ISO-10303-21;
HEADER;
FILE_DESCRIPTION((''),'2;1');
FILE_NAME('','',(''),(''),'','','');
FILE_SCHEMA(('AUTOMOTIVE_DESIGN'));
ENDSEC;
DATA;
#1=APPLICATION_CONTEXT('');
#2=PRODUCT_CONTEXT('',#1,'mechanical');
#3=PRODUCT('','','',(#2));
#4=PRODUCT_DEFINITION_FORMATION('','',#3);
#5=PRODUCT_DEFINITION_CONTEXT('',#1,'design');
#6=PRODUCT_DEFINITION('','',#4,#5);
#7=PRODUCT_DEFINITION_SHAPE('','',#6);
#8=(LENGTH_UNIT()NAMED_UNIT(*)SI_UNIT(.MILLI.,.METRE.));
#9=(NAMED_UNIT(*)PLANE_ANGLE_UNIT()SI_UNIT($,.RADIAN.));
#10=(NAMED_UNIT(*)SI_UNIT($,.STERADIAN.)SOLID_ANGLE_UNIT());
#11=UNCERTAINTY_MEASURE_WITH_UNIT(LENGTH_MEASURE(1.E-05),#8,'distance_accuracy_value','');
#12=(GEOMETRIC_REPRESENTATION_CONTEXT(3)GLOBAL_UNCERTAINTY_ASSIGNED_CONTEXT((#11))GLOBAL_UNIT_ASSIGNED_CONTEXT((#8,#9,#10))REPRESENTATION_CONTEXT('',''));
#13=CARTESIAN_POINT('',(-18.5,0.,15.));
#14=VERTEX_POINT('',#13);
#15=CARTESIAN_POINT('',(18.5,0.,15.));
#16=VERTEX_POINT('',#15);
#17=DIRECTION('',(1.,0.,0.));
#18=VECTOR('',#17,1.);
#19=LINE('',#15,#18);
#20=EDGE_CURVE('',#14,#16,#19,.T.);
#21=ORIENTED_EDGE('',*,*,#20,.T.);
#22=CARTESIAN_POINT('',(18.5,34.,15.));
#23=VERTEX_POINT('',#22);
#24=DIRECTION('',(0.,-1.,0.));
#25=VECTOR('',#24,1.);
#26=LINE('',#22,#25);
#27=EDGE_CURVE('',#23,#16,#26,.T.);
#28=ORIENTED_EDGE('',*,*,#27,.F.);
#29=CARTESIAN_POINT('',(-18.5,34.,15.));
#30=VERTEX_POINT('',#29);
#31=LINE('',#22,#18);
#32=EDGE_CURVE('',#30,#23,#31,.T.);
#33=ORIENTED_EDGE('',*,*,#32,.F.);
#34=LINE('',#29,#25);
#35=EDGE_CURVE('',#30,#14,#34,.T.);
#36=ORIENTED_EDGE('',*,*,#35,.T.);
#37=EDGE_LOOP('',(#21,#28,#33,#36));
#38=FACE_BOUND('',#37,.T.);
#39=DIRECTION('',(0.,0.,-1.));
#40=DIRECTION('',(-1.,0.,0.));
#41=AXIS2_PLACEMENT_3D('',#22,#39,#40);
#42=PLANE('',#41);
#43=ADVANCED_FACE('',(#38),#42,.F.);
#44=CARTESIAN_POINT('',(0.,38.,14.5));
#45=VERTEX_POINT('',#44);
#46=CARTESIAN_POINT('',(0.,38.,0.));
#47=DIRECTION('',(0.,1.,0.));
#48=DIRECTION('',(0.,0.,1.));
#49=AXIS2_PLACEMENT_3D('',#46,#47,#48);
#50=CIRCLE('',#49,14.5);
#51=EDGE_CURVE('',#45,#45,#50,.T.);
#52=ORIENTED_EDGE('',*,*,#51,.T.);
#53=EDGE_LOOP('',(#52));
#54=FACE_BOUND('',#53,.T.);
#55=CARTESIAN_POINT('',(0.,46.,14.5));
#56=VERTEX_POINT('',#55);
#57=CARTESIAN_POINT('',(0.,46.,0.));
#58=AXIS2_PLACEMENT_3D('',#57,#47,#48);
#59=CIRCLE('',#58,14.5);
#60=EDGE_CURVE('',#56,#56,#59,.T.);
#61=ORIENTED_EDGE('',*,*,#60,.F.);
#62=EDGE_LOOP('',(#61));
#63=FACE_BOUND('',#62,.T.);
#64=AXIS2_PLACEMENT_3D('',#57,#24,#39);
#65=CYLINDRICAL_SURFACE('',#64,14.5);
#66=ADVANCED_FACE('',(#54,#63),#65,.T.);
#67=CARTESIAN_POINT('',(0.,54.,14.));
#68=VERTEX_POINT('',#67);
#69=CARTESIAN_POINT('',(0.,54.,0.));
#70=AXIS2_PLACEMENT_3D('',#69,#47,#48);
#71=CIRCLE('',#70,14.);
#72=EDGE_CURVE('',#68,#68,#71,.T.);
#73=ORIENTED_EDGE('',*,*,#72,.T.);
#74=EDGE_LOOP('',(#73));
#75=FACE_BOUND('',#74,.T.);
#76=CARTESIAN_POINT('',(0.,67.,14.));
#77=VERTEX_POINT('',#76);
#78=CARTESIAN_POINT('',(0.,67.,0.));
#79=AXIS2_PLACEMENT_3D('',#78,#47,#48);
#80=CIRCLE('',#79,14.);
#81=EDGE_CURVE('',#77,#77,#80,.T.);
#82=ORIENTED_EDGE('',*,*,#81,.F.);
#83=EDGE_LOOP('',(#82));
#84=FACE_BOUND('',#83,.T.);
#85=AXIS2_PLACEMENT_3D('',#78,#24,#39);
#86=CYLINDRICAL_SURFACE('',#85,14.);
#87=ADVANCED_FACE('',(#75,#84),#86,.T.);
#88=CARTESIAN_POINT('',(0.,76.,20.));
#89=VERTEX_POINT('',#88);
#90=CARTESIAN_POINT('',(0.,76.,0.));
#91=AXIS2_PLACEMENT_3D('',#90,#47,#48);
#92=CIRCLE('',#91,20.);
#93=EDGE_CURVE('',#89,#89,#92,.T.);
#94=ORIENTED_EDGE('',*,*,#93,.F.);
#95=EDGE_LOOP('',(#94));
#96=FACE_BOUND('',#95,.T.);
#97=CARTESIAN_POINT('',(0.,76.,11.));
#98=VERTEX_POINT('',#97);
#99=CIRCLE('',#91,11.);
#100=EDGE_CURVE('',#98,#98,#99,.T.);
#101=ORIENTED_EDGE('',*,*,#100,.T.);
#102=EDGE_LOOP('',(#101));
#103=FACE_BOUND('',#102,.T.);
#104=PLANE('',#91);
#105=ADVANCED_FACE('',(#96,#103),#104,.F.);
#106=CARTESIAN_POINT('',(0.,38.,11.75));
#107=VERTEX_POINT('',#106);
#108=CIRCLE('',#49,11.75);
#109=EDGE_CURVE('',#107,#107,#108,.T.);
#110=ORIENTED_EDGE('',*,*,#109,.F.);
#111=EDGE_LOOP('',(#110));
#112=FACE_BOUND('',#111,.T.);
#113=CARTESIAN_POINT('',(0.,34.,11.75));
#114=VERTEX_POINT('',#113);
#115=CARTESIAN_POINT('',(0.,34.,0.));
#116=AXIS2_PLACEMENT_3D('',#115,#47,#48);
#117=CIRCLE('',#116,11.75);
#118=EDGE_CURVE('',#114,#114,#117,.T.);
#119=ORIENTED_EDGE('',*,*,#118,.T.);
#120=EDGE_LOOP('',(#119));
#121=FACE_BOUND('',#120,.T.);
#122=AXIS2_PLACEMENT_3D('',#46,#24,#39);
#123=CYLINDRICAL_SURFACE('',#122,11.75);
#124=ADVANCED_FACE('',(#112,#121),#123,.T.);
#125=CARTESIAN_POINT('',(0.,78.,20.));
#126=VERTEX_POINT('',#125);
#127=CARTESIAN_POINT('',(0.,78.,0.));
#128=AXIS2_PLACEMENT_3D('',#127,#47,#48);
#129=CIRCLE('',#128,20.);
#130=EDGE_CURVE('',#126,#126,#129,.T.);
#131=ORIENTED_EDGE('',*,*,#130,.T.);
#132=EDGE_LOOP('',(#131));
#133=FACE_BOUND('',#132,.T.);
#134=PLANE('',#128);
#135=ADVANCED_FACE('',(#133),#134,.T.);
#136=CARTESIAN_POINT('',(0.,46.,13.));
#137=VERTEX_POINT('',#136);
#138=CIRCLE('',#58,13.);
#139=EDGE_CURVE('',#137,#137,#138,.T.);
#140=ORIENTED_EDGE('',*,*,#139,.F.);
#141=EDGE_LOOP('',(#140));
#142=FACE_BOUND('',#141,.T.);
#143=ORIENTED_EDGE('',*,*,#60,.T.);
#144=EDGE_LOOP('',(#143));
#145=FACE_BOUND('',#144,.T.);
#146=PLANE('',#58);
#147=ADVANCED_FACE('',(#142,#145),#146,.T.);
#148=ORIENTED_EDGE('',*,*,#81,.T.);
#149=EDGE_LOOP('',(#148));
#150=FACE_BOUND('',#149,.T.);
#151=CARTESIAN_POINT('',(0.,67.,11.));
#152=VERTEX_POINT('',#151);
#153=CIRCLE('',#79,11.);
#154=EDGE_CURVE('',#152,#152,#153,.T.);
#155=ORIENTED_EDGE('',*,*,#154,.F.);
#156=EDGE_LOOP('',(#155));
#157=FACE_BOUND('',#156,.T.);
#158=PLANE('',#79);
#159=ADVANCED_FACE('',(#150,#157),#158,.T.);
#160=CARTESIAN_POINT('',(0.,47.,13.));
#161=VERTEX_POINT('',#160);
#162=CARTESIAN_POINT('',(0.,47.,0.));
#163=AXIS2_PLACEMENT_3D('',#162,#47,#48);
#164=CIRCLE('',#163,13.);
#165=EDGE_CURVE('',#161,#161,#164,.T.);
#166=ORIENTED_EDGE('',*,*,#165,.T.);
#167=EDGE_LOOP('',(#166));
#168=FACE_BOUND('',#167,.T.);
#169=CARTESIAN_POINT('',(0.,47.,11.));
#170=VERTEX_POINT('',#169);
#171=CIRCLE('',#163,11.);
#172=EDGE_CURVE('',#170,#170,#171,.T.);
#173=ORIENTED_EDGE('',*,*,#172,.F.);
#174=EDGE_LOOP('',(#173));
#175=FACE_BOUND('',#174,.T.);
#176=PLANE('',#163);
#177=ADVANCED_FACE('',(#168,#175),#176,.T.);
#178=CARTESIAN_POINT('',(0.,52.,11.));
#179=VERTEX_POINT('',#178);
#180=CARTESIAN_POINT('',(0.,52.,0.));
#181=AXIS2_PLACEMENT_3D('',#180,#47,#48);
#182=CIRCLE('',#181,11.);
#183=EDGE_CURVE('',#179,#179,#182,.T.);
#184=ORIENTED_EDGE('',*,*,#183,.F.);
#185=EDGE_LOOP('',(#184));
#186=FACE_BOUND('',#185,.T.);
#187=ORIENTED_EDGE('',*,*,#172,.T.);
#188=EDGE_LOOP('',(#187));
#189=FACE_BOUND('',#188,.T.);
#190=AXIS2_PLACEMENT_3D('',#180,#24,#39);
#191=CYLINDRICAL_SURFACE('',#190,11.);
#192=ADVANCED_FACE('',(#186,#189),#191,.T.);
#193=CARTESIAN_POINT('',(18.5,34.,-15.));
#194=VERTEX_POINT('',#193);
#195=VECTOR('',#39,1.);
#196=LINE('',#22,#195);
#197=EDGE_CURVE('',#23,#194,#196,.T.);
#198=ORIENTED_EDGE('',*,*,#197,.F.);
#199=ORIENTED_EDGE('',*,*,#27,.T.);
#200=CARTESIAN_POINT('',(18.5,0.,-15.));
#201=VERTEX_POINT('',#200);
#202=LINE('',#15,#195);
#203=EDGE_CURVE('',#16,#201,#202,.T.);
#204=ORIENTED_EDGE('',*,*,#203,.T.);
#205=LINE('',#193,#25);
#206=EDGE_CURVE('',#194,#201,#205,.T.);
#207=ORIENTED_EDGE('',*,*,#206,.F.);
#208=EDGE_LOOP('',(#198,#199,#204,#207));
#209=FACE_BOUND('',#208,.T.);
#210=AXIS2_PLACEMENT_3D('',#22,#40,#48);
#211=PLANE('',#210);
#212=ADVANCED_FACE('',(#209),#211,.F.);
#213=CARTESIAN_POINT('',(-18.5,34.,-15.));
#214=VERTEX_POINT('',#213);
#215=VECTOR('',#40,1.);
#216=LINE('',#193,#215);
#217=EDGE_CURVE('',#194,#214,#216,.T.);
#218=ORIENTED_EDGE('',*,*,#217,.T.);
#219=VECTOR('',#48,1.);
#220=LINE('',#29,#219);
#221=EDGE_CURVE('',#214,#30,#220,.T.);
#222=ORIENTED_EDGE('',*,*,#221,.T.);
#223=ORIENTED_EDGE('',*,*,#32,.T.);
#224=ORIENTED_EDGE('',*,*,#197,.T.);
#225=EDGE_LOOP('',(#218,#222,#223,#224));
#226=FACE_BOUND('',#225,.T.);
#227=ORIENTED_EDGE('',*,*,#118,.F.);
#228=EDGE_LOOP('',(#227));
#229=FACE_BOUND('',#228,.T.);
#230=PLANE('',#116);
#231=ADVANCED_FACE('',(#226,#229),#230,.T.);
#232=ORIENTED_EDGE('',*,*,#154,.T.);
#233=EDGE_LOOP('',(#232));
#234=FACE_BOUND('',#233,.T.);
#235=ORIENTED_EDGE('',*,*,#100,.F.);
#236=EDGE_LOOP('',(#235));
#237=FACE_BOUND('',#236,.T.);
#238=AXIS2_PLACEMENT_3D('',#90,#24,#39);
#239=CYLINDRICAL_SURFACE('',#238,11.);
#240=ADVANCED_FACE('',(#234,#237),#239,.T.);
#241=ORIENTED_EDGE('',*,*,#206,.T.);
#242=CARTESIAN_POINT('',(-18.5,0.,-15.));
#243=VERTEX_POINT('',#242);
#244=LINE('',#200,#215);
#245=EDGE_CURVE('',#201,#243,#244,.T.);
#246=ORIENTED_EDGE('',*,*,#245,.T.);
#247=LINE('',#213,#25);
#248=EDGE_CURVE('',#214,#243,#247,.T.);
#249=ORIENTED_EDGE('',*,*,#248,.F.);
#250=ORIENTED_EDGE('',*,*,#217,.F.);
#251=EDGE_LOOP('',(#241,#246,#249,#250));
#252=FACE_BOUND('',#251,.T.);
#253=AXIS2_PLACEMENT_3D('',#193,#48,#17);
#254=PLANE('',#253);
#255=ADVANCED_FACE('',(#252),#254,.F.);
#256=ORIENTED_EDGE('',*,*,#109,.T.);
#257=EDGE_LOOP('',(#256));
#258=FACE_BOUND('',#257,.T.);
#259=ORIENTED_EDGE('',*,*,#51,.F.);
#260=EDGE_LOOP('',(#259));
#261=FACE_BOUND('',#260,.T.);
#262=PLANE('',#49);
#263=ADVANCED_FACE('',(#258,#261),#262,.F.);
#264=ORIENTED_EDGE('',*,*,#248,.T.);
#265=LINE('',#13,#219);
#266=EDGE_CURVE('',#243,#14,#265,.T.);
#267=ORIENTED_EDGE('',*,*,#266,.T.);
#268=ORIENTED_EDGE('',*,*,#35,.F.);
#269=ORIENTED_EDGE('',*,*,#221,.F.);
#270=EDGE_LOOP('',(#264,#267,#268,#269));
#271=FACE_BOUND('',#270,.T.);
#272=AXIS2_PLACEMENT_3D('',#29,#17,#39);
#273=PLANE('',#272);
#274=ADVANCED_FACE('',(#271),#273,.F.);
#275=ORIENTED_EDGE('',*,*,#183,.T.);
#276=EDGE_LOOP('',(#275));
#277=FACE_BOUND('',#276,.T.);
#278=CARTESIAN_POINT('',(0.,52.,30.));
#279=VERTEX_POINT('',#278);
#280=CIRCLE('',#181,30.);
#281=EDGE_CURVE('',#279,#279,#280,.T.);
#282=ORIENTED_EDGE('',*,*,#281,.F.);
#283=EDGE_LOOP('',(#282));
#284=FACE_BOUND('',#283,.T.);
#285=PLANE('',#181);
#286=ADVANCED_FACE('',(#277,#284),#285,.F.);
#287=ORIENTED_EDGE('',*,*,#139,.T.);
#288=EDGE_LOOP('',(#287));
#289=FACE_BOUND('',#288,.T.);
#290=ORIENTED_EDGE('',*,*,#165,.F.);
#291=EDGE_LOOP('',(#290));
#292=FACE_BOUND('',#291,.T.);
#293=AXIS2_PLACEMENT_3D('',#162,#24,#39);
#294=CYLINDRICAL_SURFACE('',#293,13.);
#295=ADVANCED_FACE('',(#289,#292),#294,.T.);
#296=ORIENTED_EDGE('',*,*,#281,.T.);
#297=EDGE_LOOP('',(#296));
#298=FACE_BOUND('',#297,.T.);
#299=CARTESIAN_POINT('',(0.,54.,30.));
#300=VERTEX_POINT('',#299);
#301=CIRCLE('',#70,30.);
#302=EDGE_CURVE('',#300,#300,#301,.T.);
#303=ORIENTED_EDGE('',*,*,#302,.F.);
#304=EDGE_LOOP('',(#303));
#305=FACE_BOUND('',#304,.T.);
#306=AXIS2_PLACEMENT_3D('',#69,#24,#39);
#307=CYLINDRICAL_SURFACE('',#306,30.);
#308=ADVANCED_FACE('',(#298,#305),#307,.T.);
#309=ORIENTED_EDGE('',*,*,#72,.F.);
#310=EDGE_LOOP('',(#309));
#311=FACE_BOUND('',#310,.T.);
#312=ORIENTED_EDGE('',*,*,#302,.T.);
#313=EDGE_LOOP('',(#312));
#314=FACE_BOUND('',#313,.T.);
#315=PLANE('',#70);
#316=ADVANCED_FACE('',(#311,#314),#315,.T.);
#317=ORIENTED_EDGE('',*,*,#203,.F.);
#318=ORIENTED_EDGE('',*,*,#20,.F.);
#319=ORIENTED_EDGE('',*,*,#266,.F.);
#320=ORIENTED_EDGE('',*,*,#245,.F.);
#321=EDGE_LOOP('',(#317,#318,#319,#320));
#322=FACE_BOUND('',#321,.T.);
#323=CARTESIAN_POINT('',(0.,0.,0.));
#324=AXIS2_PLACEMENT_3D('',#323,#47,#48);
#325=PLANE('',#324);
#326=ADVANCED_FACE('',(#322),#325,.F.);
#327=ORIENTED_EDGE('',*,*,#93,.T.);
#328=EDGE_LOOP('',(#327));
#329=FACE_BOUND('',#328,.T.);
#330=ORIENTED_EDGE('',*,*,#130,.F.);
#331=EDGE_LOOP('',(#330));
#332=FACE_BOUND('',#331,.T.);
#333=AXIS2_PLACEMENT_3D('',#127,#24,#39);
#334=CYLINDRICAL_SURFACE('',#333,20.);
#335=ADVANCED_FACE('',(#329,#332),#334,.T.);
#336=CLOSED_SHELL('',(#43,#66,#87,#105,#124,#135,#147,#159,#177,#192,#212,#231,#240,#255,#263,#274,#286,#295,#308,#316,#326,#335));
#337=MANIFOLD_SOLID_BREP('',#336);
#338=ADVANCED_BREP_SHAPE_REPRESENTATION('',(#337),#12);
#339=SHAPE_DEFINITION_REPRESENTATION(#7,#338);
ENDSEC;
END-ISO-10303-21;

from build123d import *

# Parameters (mm, degrees)
ESBO_O1_W                = 37
ESBO_O1_H                = 30
RESSALTO_EXTRUS_O1_DEPTH = 34
ESBO_O2_R                = 11.75
RESSALTO_EXTRUS_O2_DEPTH = 4
ESBO_O3_R                = 14.5
RESSALTO_EXTRUS_O3_DEPTH = 8
ESBO_O4_R                = 13
RESSALTO_EXTRUS_O4_DEPTH = 1
ESBO_O5_R                = 11
RESSALTO_EXTRUS_O5_DEPTH = 5
ESBO_O6_R                = 30
RESSALTO_EXTRUS_O6_DEPTH = 2
ESBO_O7_R                = 14
RESSALTO_EXTRUS_O7_DEPTH = 13
ESBO_O8_R                = 11
RESSALTO_EXTRUS_O8_DEPTH = 9
ESBO_O9_R                = 20
RESSALTO_EXTRUS_O9_DEPTH = 2


with BuildPart() as part:
    # Esboço1 → Ressalto-extrusão1 (new body)
    with BuildSketch(Plane(origin=(0, 0, 0), x_dir=(1, 0, 0), z_dir=(0, 1, 0))):
        Rectangle(ESBO_O1_W, ESBO_O1_H)
    extrude(amount=RESSALTO_EXTRUS_O1_DEPTH)

    # Esboço2 → Ressalto-extrusão2 (add)
    with BuildSketch(Plane(origin=(0, 34, 0), x_dir=(1, 0, 0), z_dir=(0, 1, 0))):
        Circle(ESBO_O2_R)
    extrude(amount=RESSALTO_EXTRUS_O2_DEPTH)

    # Esboço3 → Ressalto-extrusão3 (add)
    with BuildSketch(Plane(origin=(0, 38, 0), x_dir=(1, 0, 0), z_dir=(0, 1, 0))):
        Circle(ESBO_O3_R)
    extrude(amount=RESSALTO_EXTRUS_O3_DEPTH)

    # Esboço4 → Ressalto-extrusão4 (add)
    with BuildSketch(Plane(origin=(0, 46, 0), x_dir=(1, 0, 0), z_dir=(0, 1, 0))):
        Circle(ESBO_O4_R)
    extrude(amount=RESSALTO_EXTRUS_O4_DEPTH)

    # Esboço5 → Ressalto-extrusão5 (add)
    with BuildSketch(Plane(origin=(0, 47, 0), x_dir=(1, 0, 0), z_dir=(0, 1, 0))):
        Circle(ESBO_O5_R)
    extrude(amount=RESSALTO_EXTRUS_O5_DEPTH)

    # Esboço6 → Ressalto-extrusão6 (add)
    with BuildSketch(Plane(origin=(0, 52, 0), x_dir=(1, 0, 0), z_dir=(0, 1, 0))):
        Circle(ESBO_O6_R)
    extrude(amount=RESSALTO_EXTRUS_O6_DEPTH)

    # Esboço7 → Ressalto-extrusão7 (add)
    with BuildSketch(Plane(origin=(0, 54, 0), x_dir=(1, 0, 0), z_dir=(0, 1, 0))):
        Circle(ESBO_O7_R)
    extrude(amount=RESSALTO_EXTRUS_O7_DEPTH)

    # Esboço8 → Ressalto-extrusão8 (add)
    with BuildSketch(Plane(origin=(0, 67, 0), x_dir=(1, 0, 0), z_dir=(0, 1, 0))):
        Circle(ESBO_O8_R)
    extrude(amount=RESSALTO_EXTRUS_O8_DEPTH)

    # Esboço9 → Ressalto-extrusão9 (add)
    with BuildSketch(Plane(origin=(0, 76, 0), x_dir=(1, 0, 0), z_dir=(0, 1, 0))):
        Circle(ESBO_O9_R)
    extrude(amount=RESSALTO_EXTRUS_O9_DEPTH)


solid = part.part
